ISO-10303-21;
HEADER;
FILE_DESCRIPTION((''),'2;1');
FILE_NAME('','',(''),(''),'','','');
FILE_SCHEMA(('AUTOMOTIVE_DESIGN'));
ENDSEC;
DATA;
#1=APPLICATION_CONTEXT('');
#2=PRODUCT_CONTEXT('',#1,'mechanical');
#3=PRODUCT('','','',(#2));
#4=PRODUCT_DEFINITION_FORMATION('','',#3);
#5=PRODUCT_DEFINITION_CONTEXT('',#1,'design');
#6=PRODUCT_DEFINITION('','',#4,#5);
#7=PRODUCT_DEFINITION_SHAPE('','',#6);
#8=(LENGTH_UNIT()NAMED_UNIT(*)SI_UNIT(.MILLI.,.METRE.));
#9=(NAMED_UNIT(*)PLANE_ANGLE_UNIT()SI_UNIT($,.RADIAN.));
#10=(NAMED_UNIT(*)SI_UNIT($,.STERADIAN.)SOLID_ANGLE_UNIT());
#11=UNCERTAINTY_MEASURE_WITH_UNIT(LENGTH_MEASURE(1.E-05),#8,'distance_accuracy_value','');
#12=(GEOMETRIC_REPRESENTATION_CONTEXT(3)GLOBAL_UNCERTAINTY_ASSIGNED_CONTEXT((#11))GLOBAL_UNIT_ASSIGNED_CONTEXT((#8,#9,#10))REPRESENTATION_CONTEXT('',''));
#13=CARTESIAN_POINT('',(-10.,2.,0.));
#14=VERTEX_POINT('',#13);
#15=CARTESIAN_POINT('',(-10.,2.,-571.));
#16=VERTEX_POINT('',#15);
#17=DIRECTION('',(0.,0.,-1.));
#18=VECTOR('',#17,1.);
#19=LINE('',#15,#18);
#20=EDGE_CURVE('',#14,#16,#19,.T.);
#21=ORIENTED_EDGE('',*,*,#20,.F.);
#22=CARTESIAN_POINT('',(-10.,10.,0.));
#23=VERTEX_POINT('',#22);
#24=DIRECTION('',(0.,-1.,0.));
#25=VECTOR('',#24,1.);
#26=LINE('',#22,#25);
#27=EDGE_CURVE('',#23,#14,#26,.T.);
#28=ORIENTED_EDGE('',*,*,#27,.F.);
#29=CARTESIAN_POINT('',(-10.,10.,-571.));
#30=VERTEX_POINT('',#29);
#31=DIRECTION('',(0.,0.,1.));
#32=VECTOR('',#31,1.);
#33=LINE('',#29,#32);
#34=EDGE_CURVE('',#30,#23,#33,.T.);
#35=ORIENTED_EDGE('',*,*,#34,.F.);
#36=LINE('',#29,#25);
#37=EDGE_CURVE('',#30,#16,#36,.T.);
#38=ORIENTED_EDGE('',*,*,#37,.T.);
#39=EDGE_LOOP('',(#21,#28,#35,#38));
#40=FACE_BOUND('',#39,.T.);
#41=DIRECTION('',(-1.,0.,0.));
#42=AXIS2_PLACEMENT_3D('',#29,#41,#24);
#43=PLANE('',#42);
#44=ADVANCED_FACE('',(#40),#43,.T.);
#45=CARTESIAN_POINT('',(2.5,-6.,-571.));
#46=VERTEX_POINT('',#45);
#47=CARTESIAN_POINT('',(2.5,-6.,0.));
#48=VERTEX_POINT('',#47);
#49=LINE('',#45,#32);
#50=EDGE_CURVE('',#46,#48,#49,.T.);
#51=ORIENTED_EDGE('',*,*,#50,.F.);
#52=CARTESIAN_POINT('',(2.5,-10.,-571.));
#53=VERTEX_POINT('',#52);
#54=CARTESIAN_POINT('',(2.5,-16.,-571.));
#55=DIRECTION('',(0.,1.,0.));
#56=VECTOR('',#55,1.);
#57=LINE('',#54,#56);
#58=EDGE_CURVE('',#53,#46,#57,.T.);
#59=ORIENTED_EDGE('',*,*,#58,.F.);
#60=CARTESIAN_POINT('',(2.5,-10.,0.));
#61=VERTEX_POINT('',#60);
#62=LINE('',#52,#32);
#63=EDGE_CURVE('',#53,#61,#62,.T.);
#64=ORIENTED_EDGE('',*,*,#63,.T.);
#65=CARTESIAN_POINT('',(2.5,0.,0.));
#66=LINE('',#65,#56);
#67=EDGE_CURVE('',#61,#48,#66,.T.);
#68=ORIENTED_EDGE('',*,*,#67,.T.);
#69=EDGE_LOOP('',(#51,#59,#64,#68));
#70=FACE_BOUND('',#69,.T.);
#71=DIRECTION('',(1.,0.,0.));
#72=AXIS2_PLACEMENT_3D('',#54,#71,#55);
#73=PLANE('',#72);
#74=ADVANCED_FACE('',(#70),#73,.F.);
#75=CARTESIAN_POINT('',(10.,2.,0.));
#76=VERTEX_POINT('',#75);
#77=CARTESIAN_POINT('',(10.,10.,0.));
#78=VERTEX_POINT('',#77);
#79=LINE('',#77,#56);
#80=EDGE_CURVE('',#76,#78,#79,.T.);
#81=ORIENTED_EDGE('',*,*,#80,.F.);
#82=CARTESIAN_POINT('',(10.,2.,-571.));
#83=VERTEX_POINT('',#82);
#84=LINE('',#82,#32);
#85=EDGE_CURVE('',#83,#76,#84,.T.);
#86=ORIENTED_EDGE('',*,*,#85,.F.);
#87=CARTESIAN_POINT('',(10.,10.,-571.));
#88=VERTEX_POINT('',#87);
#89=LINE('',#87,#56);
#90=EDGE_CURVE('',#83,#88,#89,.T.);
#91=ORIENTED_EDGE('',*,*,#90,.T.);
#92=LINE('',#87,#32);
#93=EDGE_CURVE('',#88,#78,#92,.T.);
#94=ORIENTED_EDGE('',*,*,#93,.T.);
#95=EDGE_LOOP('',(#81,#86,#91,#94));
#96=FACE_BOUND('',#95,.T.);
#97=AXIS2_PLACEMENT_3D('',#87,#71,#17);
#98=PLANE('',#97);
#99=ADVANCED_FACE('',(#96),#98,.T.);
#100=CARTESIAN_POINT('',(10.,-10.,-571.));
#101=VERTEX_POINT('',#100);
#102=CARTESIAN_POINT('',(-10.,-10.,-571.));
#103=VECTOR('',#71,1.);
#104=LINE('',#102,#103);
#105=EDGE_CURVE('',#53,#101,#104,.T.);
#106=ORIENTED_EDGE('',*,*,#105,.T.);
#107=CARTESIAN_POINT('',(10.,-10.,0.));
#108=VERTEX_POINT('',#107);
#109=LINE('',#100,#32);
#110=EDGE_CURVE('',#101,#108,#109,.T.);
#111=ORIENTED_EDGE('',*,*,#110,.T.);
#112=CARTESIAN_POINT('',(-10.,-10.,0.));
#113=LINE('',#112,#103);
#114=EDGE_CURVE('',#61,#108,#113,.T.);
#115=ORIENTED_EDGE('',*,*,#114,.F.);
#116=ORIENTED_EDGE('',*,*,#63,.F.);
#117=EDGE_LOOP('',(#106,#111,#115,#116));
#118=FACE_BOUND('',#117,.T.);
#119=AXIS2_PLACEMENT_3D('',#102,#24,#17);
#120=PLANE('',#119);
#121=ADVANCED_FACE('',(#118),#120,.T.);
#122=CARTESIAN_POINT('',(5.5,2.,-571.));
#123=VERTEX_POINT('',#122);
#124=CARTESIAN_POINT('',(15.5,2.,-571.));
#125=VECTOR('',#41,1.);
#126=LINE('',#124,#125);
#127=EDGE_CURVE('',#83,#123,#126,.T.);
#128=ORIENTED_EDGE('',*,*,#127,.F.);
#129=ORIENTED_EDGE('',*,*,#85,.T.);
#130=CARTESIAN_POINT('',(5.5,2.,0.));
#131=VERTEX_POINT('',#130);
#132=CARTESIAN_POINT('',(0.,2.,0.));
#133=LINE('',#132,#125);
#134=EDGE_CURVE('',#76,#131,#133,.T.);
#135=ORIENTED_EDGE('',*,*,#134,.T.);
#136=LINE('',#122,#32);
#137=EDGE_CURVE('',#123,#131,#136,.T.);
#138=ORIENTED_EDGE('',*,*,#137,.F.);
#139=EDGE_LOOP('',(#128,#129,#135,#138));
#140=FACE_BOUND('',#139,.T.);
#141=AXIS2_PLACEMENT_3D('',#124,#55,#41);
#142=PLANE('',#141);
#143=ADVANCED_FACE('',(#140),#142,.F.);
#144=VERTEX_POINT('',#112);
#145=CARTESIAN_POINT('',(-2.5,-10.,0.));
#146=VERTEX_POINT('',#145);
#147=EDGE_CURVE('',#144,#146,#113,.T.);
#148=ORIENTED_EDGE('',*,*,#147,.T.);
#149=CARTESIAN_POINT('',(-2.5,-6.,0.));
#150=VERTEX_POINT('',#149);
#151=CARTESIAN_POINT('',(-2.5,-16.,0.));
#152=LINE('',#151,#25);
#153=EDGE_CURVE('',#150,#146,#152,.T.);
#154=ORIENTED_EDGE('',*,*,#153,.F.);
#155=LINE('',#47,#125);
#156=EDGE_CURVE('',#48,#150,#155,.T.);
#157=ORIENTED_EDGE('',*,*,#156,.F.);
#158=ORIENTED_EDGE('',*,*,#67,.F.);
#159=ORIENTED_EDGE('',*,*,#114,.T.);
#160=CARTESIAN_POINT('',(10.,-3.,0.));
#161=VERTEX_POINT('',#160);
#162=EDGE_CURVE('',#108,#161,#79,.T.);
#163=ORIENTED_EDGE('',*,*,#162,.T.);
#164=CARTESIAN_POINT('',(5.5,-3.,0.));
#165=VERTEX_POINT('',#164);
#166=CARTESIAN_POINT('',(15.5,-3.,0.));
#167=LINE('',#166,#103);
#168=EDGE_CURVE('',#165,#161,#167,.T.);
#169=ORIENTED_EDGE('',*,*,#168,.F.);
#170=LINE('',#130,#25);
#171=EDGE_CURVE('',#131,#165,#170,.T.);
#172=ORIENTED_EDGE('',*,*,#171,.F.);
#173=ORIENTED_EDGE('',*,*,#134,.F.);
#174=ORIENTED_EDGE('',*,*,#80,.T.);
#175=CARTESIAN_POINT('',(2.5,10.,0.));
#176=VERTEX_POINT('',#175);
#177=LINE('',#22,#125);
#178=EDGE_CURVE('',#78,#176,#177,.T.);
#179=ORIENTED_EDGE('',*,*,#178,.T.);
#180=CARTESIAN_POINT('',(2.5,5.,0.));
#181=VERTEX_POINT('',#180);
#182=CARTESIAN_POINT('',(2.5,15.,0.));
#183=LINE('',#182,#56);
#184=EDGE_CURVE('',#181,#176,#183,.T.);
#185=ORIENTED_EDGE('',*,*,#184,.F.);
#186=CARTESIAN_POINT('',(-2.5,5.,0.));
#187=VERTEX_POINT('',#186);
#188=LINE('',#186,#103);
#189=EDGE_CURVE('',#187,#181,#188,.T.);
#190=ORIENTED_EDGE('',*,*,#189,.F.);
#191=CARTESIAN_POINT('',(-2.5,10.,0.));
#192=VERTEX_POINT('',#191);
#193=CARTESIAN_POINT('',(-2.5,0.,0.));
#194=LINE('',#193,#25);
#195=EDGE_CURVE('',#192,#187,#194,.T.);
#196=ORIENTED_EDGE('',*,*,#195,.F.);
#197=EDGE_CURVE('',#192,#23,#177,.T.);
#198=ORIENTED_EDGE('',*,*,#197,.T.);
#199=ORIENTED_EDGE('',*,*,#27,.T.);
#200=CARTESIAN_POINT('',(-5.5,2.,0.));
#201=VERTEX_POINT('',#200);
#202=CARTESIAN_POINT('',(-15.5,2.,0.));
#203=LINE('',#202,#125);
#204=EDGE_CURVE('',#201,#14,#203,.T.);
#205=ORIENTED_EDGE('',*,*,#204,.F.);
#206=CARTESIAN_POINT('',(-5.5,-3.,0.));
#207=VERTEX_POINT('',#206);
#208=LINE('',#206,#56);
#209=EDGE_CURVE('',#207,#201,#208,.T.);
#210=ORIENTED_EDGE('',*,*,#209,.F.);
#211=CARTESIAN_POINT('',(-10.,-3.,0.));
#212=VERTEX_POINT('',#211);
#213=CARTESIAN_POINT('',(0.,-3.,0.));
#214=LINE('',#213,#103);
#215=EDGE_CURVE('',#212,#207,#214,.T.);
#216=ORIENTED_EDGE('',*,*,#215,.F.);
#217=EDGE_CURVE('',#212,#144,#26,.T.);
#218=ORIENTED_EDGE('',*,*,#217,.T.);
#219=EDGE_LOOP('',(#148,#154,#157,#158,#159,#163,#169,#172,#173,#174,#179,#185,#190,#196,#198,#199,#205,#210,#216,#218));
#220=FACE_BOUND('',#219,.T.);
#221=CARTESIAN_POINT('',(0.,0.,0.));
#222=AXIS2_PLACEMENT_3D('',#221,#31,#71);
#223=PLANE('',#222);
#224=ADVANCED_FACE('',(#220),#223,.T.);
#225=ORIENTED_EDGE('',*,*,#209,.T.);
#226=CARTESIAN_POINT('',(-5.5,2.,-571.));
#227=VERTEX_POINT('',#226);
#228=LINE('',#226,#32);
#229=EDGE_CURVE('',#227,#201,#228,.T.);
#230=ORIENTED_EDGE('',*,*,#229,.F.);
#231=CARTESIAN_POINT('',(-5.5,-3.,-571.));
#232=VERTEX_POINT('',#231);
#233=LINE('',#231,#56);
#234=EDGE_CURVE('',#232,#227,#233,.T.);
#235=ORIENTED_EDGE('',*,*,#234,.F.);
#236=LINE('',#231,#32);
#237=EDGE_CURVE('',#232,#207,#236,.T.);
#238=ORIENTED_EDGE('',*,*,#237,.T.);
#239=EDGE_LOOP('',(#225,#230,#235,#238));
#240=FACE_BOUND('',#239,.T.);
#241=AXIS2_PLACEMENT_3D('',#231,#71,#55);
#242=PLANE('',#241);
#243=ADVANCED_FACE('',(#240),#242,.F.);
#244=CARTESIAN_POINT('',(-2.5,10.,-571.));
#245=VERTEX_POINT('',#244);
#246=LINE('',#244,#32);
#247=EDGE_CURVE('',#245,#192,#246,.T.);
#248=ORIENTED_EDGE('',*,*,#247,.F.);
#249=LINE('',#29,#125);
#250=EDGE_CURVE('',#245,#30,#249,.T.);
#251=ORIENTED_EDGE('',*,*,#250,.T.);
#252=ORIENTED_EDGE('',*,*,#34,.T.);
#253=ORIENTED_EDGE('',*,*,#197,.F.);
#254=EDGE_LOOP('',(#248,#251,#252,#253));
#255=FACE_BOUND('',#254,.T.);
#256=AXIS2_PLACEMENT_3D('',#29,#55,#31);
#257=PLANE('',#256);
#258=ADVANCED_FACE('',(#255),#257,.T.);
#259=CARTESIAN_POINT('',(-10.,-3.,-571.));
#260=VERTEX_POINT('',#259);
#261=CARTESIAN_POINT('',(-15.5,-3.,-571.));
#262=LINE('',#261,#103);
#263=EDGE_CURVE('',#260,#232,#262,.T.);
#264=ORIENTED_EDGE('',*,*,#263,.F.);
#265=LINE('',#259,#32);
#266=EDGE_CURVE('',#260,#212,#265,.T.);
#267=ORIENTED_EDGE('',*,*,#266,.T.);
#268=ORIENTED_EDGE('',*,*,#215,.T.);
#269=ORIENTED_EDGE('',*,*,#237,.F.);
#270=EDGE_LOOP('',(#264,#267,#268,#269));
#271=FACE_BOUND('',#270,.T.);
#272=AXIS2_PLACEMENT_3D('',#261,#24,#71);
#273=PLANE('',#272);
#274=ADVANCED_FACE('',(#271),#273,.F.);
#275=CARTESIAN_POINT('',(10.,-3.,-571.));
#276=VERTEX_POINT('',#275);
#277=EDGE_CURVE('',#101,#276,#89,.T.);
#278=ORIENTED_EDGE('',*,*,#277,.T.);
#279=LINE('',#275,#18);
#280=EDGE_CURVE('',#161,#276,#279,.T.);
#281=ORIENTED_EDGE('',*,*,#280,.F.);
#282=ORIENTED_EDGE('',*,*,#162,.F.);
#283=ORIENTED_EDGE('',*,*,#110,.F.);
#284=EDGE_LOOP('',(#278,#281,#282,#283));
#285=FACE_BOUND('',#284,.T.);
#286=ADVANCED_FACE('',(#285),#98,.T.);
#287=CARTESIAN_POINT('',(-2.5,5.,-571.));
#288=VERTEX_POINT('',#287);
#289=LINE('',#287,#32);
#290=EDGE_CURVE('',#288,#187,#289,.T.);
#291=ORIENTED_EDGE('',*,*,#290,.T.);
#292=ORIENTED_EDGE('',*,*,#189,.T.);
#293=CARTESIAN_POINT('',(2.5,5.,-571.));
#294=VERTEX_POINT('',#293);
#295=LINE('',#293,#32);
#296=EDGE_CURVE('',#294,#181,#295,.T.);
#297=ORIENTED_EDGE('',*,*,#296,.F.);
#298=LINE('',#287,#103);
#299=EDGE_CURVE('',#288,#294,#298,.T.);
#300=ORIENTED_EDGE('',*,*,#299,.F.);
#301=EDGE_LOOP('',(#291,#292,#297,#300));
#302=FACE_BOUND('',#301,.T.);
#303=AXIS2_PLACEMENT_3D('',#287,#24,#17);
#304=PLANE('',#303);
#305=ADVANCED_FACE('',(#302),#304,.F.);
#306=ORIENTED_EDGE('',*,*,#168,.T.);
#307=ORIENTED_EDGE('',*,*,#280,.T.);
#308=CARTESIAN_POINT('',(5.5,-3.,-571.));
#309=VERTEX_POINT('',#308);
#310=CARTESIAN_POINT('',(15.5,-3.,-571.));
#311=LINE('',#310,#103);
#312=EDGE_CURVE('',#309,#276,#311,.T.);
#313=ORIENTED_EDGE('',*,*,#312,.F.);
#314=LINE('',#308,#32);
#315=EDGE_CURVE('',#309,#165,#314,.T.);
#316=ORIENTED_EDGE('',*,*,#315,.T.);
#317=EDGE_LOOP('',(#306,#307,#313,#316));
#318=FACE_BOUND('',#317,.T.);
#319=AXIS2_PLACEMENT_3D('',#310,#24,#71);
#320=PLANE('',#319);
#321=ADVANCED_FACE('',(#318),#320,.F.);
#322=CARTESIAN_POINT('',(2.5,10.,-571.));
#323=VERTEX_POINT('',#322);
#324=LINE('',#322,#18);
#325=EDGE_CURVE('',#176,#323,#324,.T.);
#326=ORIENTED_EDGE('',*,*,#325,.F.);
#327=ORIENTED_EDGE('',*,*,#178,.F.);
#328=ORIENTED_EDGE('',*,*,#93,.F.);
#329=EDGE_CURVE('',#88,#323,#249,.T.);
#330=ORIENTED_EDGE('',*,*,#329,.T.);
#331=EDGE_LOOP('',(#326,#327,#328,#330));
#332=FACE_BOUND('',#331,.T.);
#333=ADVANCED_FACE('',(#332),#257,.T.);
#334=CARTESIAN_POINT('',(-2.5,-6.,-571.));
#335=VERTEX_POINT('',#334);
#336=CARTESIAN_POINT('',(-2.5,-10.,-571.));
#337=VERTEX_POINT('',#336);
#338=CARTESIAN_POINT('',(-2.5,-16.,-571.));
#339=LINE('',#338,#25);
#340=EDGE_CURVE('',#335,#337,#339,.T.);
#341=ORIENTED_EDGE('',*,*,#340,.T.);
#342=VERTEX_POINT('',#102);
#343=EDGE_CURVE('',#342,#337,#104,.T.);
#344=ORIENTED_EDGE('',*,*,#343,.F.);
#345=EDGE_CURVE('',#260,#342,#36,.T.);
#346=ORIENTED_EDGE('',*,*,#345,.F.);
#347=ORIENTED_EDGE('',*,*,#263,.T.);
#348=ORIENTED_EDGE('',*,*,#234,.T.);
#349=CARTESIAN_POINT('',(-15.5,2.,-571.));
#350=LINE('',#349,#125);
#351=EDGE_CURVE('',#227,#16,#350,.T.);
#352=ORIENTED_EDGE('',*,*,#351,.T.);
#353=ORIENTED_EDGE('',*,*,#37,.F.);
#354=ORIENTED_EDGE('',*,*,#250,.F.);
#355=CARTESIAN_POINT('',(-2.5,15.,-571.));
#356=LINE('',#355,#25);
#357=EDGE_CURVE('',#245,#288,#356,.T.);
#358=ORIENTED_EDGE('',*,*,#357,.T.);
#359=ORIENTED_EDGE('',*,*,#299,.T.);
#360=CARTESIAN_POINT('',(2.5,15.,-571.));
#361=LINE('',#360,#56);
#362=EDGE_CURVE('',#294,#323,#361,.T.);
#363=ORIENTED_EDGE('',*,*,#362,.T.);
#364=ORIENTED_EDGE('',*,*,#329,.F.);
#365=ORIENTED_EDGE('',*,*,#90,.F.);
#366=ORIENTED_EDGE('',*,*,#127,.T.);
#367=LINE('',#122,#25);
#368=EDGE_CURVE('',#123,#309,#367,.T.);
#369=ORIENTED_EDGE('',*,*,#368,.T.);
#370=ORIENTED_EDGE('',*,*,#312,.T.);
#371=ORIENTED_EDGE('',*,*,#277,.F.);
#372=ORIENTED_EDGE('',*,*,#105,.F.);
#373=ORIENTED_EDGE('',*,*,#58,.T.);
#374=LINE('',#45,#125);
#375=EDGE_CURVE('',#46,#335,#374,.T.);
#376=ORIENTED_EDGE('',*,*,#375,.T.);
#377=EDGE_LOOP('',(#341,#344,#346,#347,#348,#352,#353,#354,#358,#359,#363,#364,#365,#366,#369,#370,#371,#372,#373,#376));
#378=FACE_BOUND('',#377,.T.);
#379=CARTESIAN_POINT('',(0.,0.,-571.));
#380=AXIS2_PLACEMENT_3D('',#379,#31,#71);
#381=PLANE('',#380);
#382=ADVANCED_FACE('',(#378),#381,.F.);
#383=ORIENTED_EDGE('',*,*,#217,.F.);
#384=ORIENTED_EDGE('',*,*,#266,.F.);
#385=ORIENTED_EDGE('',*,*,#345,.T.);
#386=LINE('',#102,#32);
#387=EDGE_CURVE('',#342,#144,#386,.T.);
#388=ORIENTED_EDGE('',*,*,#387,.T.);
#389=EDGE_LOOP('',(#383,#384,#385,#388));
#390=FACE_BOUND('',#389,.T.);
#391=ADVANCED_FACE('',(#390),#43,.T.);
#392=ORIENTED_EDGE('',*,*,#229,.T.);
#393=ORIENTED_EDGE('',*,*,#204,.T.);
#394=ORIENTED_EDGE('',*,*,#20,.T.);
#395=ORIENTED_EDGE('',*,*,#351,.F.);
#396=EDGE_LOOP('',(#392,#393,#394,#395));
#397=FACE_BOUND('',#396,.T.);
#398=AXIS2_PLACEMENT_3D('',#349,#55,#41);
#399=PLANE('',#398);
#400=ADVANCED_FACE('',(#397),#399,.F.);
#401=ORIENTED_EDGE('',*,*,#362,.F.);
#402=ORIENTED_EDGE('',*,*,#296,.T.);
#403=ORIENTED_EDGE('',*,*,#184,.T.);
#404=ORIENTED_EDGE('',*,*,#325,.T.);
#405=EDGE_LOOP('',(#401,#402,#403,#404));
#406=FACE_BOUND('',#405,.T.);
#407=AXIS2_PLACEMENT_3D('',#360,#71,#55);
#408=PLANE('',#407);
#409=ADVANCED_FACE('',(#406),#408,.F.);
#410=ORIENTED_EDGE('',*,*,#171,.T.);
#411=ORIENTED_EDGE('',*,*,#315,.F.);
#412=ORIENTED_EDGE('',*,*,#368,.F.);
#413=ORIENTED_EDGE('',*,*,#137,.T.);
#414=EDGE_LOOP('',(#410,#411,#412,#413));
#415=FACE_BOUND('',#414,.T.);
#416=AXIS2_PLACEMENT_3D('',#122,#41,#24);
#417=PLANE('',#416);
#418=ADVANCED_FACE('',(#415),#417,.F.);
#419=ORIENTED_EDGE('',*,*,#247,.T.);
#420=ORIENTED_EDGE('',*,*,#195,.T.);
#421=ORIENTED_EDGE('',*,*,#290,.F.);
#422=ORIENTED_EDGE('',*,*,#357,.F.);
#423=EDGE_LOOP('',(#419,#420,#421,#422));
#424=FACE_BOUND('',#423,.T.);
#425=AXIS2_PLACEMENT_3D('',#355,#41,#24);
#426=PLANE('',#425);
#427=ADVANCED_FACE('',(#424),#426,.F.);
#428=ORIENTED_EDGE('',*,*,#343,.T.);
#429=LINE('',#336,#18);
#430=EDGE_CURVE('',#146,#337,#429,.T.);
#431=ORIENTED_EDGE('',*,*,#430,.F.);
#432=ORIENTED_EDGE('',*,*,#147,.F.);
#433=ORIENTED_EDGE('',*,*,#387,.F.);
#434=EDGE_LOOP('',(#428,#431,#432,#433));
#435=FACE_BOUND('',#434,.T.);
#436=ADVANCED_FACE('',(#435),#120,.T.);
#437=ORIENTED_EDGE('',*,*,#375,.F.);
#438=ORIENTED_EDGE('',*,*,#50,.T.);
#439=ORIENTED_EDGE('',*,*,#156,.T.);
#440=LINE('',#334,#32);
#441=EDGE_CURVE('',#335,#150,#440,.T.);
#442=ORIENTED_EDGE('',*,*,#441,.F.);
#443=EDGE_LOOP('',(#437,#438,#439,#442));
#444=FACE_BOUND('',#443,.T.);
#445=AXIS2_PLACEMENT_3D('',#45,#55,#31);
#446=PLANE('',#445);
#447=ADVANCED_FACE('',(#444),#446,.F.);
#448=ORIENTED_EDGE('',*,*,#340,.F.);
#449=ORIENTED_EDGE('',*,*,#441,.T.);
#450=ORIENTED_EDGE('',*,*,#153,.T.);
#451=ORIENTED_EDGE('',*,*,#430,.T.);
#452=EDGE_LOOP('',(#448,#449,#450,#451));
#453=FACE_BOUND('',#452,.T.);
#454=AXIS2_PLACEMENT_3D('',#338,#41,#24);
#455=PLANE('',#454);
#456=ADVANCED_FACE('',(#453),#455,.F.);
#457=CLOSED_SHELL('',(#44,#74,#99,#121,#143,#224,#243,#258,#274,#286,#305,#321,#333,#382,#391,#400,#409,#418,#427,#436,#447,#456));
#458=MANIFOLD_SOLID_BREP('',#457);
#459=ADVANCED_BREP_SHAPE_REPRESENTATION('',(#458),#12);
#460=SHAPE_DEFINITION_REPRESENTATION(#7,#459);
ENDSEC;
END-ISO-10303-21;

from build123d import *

# Parameters (mm, degrees)
SKETCH1_W           = 20
SKETCH1_H           = 20
BOSS_EXTRUDE1_DEPTH = 571
SKETCH2_W           = 5
SKETCH2_H           = 10
CUT_EXTRUDE1_DEPTH  = 572
CIRPATTERN1_COUNT   = 4


with BuildPart() as part:
    # Sketch1 → Boss-Extrude1 (new body)
    with BuildSketch(Plane.XY):
        Rectangle(SKETCH1_W, SKETCH1_H)
    extrude(amount=-BOSS_EXTRUDE1_DEPTH)

    # Sketch2 → Cut-Extrude1 (cut, through all)
    with BuildSketch(Plane.XY):
        with Locations((0, 10)):
            Rectangle(SKETCH2_W, SKETCH2_H)
    cut_extrude1 = extrude(amount=-CUT_EXTRUDE1_DEPTH, mode=Mode.SUBTRACT)

    # CirPattern1: Cut-Extrude1 ×4 about axis
    cirpattern1_axis = Axis((0, -0.5, 0), (0, 0, 1))
    for i in range(1, CIRPATTERN1_COUNT):
        add(cut_extrude1.rotate(cirpattern1_axis, i * 360 / CIRPATTERN1_COUNT), mode=Mode.SUBTRACT)


solid = part.part
